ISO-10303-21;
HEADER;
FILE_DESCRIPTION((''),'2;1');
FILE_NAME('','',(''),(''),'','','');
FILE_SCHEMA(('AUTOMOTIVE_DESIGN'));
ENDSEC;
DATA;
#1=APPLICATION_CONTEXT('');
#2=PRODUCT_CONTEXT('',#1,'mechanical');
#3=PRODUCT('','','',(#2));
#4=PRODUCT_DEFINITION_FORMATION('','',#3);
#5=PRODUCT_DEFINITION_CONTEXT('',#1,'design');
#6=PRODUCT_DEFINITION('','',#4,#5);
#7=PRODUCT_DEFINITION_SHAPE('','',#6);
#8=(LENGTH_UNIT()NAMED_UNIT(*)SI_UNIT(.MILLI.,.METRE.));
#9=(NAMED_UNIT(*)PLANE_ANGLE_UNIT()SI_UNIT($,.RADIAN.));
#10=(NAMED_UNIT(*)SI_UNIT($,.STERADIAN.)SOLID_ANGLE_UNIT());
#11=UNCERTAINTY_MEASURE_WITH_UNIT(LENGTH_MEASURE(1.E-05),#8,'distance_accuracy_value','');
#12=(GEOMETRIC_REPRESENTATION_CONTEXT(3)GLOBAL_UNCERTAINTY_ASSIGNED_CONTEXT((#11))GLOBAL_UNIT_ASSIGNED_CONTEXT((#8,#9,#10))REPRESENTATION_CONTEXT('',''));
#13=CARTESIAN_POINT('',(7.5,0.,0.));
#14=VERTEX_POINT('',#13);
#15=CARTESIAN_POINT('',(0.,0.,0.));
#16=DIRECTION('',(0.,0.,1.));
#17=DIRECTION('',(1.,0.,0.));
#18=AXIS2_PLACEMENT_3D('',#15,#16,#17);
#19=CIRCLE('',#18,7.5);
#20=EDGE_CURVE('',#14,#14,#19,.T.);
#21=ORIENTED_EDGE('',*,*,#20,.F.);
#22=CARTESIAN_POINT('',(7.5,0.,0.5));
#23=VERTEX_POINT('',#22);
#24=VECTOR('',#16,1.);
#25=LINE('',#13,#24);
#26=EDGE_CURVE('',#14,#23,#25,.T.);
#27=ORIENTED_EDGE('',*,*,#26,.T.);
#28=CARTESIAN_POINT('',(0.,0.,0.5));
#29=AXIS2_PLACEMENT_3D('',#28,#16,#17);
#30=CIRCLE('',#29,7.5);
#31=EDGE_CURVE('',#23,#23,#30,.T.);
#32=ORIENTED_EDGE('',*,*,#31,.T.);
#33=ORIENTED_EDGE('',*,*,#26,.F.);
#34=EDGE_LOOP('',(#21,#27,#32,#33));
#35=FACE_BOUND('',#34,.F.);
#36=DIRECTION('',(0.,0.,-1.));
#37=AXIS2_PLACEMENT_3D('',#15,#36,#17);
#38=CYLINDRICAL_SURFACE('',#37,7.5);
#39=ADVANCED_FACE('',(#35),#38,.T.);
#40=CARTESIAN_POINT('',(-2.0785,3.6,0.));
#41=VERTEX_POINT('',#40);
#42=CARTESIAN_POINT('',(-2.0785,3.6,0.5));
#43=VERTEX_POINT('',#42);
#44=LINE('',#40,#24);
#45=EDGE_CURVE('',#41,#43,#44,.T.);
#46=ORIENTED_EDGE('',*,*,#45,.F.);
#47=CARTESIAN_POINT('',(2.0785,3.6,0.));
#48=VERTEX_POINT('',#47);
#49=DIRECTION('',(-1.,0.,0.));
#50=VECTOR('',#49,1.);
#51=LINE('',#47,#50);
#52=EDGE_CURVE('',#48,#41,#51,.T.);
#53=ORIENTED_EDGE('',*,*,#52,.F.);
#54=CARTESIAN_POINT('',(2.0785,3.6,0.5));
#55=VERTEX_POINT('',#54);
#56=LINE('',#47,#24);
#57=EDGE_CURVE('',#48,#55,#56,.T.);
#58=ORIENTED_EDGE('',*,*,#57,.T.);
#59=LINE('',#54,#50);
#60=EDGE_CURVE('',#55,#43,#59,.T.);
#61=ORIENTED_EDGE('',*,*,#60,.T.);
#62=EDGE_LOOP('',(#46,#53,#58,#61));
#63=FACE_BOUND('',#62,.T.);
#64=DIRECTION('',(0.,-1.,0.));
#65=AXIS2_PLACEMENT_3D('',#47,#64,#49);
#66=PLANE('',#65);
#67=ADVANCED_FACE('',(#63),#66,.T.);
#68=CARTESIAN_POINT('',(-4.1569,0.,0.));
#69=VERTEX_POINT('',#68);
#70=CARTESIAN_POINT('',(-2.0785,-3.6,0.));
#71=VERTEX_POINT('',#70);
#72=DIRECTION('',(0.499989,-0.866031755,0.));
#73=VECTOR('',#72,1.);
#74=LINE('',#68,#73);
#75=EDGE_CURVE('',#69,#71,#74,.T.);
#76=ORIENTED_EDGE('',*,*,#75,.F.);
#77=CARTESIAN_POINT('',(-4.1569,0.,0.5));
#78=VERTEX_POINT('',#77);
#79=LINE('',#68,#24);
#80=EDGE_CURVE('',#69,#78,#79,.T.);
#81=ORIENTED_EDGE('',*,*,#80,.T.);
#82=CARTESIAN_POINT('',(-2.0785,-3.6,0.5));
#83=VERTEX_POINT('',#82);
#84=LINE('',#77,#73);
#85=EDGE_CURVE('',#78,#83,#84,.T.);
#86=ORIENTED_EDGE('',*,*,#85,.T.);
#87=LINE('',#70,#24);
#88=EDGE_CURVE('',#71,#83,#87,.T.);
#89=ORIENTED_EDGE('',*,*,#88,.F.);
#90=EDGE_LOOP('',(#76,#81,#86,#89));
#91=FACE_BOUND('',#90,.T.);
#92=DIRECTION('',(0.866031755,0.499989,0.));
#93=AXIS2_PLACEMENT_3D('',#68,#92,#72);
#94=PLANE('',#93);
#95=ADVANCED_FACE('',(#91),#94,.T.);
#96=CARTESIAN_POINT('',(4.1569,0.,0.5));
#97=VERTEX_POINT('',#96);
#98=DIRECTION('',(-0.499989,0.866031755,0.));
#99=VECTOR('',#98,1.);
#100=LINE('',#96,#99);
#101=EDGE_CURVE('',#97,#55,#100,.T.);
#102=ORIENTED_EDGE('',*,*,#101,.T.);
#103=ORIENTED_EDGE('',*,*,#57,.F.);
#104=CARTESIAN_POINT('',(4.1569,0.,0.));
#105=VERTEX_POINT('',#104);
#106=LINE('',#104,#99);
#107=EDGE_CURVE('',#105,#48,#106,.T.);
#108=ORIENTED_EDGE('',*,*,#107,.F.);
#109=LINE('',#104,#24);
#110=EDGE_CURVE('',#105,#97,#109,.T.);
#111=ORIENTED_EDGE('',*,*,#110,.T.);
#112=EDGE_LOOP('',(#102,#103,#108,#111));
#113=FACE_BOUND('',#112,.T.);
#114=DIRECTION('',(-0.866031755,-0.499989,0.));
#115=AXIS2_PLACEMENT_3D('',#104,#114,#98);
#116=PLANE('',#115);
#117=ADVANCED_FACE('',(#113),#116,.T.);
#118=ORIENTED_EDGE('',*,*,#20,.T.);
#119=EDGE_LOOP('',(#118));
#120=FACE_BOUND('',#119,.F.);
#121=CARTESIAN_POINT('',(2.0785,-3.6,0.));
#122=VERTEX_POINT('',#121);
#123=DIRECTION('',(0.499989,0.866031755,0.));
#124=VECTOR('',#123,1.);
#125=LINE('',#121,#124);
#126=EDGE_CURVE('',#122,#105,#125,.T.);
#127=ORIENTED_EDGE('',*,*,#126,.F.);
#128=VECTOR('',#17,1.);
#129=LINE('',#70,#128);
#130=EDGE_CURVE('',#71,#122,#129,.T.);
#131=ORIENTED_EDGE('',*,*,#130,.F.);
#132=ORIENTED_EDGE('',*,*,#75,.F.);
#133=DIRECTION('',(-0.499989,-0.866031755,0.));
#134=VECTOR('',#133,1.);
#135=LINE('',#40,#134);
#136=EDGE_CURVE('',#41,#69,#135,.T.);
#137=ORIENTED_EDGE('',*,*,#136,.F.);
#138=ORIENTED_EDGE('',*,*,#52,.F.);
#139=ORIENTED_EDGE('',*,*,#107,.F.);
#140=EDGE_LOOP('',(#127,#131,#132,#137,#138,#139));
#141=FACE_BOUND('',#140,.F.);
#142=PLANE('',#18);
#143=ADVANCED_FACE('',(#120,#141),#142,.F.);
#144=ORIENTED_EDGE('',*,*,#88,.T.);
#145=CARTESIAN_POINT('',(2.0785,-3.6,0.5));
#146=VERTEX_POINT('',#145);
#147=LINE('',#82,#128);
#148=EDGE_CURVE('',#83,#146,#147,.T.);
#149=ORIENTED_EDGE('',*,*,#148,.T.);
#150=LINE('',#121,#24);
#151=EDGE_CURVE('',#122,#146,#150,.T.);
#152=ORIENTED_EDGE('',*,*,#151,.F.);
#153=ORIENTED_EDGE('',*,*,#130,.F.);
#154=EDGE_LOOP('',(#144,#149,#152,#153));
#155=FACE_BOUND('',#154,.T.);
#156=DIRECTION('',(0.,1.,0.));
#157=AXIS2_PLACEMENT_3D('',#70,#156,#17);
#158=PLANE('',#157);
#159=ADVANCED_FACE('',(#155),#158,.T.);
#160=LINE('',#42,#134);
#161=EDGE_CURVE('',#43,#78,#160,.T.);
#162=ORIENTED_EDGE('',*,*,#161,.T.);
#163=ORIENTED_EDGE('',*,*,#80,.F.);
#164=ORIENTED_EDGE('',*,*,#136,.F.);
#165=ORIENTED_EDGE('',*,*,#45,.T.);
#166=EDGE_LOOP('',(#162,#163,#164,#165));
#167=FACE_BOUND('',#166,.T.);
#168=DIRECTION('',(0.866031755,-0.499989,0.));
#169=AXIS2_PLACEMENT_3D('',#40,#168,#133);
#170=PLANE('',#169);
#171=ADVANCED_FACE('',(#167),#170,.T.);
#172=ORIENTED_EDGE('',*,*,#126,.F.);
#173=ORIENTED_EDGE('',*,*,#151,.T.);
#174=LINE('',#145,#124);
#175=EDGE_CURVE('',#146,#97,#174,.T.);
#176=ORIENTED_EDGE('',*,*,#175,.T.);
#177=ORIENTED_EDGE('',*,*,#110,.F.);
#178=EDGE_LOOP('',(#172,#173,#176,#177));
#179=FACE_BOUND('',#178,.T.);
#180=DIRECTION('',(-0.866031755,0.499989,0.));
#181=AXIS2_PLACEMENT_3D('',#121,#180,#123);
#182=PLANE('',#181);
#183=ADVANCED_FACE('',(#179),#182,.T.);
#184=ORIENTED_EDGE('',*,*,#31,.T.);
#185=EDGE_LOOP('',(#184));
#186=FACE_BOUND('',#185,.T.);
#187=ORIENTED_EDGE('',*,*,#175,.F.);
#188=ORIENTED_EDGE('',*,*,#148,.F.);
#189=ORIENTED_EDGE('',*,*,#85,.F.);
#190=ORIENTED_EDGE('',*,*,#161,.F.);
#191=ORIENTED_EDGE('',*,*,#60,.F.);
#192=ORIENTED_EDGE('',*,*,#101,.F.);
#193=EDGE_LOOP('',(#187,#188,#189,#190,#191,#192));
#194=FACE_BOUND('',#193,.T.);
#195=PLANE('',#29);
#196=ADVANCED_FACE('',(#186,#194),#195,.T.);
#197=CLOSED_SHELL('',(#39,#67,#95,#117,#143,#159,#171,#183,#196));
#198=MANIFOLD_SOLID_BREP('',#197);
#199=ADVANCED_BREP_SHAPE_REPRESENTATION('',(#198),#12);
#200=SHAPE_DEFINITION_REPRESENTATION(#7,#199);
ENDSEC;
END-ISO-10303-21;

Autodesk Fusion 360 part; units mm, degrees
sketch "Sketch1" plane through (0, 0, 0) normal (0, 0, 1) x (1, 0, 0)
  circle A0 centre (0, 0) radius 9.5
  circle A1 centre (0, 0) radius 7.5
  line L0 (4.1569, 0) -> (2.0785, 3.6)
  line L1 (2.0785, 3.6) -> (-2.0785, 3.6)
  line L2 (-2.0785, 3.6) -> (-4.1569, 0)
  line L3 (-4.1569, 0) -> (-2.0785, -3.6)
  line L4 (-2.0785, -3.6) -> (2.0785, -3.6)
  line L5 (2.0785, -3.6) -> (4.1569, 0)
  line L6 (-4.1569, 0) -> (4.1569, 0) construction
  dimension "d1" = 19
  dimension "d2" = 15
  dimension "d3" = 7.2
extrude "Extrude1" add sketch "Sketch1" along normal blind 0.5 contours A1
extrude "Extrude2" [suppressed]
extrude "Extrude3" [suppressed]
